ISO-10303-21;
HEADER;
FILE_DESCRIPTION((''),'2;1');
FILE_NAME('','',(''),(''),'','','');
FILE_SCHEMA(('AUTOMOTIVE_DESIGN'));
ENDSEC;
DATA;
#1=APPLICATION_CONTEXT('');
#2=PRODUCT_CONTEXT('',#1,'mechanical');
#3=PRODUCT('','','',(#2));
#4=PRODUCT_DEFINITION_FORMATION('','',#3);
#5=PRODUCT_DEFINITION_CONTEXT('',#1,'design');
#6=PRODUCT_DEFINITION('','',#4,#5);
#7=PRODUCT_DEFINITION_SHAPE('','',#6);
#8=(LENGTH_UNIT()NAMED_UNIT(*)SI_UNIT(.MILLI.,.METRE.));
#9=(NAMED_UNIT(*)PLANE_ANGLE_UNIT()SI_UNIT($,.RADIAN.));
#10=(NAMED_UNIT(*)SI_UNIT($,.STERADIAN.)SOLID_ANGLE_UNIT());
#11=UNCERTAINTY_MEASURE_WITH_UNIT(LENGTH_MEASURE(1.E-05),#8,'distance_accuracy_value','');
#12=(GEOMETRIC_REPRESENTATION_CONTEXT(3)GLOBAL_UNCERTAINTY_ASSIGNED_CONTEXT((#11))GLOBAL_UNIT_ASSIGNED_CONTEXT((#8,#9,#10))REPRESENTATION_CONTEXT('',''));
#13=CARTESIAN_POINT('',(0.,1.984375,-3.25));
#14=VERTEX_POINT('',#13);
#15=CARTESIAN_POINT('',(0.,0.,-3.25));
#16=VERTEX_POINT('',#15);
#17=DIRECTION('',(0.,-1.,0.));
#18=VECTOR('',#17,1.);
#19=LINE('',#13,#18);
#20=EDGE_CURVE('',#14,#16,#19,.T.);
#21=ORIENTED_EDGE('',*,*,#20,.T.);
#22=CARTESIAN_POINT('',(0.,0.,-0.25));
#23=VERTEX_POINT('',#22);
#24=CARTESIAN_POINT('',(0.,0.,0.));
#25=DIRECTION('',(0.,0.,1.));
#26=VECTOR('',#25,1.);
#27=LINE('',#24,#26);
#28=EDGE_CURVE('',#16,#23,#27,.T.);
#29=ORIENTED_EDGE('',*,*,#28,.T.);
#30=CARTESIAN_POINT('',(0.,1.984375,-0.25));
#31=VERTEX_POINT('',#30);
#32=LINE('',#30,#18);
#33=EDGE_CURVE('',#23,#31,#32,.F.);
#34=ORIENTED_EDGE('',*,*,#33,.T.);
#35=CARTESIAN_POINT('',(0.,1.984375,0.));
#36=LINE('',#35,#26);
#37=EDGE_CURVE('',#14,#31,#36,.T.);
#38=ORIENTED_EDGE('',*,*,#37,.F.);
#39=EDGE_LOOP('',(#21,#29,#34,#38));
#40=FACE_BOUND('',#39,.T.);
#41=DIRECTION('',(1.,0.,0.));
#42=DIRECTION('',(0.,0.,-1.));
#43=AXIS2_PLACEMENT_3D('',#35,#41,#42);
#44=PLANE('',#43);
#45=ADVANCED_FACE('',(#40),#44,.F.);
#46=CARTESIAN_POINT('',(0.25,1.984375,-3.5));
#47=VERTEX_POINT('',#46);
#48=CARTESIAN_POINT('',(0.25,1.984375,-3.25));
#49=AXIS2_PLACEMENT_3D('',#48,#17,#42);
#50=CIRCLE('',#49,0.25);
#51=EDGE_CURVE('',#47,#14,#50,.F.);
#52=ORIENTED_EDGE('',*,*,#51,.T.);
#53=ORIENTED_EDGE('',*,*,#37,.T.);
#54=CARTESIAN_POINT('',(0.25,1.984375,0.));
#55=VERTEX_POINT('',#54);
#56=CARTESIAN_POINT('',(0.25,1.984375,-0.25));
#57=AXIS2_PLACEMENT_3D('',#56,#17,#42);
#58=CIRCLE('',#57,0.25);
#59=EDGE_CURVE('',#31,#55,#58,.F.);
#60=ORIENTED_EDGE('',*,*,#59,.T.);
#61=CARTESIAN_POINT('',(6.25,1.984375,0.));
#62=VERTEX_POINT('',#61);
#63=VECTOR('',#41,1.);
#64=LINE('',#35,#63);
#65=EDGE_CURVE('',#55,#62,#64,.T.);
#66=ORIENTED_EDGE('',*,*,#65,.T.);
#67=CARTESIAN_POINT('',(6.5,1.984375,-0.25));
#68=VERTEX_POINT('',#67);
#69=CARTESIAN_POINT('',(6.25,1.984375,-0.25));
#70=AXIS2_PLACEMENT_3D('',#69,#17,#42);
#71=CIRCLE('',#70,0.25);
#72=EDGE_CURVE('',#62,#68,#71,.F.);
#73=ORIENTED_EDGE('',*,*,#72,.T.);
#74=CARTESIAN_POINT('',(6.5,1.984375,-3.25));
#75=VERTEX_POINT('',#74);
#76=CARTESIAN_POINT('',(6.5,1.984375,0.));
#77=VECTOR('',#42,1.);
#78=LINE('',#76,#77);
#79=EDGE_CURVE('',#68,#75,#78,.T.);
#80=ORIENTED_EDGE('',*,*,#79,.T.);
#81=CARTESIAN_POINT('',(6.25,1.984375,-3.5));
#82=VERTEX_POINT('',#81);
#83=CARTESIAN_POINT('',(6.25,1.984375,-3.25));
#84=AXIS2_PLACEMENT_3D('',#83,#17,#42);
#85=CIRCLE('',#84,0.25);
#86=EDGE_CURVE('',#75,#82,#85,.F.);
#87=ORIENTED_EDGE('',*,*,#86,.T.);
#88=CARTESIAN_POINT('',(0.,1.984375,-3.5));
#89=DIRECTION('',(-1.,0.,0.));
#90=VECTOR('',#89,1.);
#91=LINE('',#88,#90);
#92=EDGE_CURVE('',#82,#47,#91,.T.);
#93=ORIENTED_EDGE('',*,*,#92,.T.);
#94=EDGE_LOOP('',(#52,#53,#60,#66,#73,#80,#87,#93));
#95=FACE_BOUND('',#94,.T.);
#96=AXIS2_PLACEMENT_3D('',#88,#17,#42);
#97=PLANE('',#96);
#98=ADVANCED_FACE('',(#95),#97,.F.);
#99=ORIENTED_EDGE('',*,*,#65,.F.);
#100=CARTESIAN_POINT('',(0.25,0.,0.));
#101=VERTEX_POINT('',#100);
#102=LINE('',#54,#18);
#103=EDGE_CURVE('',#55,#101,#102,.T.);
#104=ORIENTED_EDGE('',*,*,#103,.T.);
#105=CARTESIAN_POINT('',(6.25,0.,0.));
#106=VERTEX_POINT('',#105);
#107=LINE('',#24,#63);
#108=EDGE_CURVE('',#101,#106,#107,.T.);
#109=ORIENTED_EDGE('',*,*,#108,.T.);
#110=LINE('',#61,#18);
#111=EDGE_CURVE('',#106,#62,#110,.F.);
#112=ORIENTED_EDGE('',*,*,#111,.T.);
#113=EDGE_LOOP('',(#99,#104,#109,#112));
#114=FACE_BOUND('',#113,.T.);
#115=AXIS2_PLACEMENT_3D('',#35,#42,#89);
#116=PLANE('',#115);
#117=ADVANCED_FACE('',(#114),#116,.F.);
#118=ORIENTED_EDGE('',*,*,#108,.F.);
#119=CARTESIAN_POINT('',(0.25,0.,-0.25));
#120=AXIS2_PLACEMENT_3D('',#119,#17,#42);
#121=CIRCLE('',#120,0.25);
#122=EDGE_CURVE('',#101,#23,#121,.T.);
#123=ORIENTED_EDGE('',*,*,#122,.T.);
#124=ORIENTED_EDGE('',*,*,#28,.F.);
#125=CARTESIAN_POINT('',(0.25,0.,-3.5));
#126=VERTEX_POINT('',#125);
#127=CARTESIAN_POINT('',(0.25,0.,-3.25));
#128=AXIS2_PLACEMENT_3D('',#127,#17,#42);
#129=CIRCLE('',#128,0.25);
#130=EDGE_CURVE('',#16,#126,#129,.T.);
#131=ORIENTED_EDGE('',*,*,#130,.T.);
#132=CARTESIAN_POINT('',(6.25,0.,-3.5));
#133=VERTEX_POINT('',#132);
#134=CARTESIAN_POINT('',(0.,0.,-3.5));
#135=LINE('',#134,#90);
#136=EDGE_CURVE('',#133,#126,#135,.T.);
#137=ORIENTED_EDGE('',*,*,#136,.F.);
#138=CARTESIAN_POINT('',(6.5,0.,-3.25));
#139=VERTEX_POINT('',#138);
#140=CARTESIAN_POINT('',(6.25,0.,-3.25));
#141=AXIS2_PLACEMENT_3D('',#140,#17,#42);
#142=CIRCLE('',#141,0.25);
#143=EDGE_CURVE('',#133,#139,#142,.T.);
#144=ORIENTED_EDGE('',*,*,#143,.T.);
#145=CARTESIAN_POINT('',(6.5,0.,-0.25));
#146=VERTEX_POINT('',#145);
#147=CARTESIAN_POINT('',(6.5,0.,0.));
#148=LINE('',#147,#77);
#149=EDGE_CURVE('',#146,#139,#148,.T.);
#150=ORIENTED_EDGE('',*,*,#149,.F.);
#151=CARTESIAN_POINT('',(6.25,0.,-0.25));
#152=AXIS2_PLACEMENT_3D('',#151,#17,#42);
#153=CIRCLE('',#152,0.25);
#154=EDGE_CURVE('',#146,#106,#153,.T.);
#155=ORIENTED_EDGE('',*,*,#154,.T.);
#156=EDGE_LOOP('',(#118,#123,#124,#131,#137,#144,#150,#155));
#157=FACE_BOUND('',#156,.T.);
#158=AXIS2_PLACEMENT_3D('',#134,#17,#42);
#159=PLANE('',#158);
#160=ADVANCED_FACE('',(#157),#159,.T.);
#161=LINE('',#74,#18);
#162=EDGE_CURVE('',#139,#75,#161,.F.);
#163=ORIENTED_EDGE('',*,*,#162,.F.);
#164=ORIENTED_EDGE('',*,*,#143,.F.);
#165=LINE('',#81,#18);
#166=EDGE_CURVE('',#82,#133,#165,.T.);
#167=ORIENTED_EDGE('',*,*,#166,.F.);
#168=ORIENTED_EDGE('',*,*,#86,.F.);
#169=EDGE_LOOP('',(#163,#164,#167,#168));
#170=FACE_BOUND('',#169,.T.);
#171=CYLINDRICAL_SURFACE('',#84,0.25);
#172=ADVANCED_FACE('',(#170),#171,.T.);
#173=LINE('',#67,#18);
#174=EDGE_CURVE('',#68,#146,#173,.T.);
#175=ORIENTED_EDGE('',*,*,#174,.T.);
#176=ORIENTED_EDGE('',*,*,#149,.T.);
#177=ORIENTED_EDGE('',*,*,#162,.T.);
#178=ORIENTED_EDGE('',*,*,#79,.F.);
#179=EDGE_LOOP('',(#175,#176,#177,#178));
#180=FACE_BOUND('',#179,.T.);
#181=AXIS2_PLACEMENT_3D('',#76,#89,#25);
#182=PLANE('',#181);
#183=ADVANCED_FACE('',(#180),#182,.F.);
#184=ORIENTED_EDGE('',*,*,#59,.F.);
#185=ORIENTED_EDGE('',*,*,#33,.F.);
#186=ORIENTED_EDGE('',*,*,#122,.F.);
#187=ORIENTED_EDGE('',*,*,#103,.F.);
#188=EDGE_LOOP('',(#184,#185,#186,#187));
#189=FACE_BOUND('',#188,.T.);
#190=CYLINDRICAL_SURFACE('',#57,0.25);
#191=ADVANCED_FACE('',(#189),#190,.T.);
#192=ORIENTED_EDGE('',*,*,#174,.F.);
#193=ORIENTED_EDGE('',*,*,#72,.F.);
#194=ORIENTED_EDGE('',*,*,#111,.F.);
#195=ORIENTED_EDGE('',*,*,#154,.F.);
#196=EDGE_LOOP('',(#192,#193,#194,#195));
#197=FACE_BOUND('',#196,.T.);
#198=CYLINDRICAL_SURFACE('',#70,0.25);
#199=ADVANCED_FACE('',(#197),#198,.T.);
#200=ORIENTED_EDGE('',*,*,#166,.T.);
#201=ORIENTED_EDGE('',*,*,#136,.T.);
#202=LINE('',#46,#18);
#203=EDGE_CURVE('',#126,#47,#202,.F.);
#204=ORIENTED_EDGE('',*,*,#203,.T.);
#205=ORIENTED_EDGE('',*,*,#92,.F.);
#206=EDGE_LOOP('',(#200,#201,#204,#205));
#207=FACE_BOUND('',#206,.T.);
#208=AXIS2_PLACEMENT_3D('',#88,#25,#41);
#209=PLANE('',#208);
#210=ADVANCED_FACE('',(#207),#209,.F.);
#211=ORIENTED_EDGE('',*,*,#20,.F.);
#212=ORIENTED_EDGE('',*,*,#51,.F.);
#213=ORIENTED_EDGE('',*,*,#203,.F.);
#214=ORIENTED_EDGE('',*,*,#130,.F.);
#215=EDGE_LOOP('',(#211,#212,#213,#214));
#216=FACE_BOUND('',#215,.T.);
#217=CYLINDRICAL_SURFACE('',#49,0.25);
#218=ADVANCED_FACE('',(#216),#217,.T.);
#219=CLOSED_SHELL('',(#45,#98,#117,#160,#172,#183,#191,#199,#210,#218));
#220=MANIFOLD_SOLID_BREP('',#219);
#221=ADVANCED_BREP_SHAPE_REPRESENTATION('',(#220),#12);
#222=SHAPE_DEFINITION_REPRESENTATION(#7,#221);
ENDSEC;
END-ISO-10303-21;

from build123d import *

# Parameters (mm, degrees)
SKETCH1_W           = 6.5
SKETCH1_H           = 3.5
BOSS_EXTRUDE1_DEPTH = 1.984375
FILLET1_R           = 0.25
FILLET2_R           = 0.25


with BuildPart() as part:
    # Sketch1 → Boss-Extrude1 (new body)
    with BuildSketch(Plane(origin=(0, 0, 0), x_dir=(1, 0, 0), z_dir=(0, 1, 0))):
        with Locations((3.25, 1.75)):
            Rectangle(SKETCH1_W, SKETCH1_H)
    extrude(amount=BOSS_EXTRUDE1_DEPTH)

    # Fillet1
    fillet1_edges = [part.edges().sort_by_distance(p)[0] for p in [
        (6.5, 0.9921875, 0),
        (0, 0.9921875, 0),
    ]]
    fillet(fillet1_edges, radius=FILLET1_R)

    # Fillet2
    fillet2_edges = [part.edges().sort_by_distance(p)[0] for p in [
        (0, 0.9921875, -3.5),
        (6.5, 0.9921875, -3.5),
    ]]
    fillet(fillet2_edges, radius=FILLET2_R)


solid = part.part
